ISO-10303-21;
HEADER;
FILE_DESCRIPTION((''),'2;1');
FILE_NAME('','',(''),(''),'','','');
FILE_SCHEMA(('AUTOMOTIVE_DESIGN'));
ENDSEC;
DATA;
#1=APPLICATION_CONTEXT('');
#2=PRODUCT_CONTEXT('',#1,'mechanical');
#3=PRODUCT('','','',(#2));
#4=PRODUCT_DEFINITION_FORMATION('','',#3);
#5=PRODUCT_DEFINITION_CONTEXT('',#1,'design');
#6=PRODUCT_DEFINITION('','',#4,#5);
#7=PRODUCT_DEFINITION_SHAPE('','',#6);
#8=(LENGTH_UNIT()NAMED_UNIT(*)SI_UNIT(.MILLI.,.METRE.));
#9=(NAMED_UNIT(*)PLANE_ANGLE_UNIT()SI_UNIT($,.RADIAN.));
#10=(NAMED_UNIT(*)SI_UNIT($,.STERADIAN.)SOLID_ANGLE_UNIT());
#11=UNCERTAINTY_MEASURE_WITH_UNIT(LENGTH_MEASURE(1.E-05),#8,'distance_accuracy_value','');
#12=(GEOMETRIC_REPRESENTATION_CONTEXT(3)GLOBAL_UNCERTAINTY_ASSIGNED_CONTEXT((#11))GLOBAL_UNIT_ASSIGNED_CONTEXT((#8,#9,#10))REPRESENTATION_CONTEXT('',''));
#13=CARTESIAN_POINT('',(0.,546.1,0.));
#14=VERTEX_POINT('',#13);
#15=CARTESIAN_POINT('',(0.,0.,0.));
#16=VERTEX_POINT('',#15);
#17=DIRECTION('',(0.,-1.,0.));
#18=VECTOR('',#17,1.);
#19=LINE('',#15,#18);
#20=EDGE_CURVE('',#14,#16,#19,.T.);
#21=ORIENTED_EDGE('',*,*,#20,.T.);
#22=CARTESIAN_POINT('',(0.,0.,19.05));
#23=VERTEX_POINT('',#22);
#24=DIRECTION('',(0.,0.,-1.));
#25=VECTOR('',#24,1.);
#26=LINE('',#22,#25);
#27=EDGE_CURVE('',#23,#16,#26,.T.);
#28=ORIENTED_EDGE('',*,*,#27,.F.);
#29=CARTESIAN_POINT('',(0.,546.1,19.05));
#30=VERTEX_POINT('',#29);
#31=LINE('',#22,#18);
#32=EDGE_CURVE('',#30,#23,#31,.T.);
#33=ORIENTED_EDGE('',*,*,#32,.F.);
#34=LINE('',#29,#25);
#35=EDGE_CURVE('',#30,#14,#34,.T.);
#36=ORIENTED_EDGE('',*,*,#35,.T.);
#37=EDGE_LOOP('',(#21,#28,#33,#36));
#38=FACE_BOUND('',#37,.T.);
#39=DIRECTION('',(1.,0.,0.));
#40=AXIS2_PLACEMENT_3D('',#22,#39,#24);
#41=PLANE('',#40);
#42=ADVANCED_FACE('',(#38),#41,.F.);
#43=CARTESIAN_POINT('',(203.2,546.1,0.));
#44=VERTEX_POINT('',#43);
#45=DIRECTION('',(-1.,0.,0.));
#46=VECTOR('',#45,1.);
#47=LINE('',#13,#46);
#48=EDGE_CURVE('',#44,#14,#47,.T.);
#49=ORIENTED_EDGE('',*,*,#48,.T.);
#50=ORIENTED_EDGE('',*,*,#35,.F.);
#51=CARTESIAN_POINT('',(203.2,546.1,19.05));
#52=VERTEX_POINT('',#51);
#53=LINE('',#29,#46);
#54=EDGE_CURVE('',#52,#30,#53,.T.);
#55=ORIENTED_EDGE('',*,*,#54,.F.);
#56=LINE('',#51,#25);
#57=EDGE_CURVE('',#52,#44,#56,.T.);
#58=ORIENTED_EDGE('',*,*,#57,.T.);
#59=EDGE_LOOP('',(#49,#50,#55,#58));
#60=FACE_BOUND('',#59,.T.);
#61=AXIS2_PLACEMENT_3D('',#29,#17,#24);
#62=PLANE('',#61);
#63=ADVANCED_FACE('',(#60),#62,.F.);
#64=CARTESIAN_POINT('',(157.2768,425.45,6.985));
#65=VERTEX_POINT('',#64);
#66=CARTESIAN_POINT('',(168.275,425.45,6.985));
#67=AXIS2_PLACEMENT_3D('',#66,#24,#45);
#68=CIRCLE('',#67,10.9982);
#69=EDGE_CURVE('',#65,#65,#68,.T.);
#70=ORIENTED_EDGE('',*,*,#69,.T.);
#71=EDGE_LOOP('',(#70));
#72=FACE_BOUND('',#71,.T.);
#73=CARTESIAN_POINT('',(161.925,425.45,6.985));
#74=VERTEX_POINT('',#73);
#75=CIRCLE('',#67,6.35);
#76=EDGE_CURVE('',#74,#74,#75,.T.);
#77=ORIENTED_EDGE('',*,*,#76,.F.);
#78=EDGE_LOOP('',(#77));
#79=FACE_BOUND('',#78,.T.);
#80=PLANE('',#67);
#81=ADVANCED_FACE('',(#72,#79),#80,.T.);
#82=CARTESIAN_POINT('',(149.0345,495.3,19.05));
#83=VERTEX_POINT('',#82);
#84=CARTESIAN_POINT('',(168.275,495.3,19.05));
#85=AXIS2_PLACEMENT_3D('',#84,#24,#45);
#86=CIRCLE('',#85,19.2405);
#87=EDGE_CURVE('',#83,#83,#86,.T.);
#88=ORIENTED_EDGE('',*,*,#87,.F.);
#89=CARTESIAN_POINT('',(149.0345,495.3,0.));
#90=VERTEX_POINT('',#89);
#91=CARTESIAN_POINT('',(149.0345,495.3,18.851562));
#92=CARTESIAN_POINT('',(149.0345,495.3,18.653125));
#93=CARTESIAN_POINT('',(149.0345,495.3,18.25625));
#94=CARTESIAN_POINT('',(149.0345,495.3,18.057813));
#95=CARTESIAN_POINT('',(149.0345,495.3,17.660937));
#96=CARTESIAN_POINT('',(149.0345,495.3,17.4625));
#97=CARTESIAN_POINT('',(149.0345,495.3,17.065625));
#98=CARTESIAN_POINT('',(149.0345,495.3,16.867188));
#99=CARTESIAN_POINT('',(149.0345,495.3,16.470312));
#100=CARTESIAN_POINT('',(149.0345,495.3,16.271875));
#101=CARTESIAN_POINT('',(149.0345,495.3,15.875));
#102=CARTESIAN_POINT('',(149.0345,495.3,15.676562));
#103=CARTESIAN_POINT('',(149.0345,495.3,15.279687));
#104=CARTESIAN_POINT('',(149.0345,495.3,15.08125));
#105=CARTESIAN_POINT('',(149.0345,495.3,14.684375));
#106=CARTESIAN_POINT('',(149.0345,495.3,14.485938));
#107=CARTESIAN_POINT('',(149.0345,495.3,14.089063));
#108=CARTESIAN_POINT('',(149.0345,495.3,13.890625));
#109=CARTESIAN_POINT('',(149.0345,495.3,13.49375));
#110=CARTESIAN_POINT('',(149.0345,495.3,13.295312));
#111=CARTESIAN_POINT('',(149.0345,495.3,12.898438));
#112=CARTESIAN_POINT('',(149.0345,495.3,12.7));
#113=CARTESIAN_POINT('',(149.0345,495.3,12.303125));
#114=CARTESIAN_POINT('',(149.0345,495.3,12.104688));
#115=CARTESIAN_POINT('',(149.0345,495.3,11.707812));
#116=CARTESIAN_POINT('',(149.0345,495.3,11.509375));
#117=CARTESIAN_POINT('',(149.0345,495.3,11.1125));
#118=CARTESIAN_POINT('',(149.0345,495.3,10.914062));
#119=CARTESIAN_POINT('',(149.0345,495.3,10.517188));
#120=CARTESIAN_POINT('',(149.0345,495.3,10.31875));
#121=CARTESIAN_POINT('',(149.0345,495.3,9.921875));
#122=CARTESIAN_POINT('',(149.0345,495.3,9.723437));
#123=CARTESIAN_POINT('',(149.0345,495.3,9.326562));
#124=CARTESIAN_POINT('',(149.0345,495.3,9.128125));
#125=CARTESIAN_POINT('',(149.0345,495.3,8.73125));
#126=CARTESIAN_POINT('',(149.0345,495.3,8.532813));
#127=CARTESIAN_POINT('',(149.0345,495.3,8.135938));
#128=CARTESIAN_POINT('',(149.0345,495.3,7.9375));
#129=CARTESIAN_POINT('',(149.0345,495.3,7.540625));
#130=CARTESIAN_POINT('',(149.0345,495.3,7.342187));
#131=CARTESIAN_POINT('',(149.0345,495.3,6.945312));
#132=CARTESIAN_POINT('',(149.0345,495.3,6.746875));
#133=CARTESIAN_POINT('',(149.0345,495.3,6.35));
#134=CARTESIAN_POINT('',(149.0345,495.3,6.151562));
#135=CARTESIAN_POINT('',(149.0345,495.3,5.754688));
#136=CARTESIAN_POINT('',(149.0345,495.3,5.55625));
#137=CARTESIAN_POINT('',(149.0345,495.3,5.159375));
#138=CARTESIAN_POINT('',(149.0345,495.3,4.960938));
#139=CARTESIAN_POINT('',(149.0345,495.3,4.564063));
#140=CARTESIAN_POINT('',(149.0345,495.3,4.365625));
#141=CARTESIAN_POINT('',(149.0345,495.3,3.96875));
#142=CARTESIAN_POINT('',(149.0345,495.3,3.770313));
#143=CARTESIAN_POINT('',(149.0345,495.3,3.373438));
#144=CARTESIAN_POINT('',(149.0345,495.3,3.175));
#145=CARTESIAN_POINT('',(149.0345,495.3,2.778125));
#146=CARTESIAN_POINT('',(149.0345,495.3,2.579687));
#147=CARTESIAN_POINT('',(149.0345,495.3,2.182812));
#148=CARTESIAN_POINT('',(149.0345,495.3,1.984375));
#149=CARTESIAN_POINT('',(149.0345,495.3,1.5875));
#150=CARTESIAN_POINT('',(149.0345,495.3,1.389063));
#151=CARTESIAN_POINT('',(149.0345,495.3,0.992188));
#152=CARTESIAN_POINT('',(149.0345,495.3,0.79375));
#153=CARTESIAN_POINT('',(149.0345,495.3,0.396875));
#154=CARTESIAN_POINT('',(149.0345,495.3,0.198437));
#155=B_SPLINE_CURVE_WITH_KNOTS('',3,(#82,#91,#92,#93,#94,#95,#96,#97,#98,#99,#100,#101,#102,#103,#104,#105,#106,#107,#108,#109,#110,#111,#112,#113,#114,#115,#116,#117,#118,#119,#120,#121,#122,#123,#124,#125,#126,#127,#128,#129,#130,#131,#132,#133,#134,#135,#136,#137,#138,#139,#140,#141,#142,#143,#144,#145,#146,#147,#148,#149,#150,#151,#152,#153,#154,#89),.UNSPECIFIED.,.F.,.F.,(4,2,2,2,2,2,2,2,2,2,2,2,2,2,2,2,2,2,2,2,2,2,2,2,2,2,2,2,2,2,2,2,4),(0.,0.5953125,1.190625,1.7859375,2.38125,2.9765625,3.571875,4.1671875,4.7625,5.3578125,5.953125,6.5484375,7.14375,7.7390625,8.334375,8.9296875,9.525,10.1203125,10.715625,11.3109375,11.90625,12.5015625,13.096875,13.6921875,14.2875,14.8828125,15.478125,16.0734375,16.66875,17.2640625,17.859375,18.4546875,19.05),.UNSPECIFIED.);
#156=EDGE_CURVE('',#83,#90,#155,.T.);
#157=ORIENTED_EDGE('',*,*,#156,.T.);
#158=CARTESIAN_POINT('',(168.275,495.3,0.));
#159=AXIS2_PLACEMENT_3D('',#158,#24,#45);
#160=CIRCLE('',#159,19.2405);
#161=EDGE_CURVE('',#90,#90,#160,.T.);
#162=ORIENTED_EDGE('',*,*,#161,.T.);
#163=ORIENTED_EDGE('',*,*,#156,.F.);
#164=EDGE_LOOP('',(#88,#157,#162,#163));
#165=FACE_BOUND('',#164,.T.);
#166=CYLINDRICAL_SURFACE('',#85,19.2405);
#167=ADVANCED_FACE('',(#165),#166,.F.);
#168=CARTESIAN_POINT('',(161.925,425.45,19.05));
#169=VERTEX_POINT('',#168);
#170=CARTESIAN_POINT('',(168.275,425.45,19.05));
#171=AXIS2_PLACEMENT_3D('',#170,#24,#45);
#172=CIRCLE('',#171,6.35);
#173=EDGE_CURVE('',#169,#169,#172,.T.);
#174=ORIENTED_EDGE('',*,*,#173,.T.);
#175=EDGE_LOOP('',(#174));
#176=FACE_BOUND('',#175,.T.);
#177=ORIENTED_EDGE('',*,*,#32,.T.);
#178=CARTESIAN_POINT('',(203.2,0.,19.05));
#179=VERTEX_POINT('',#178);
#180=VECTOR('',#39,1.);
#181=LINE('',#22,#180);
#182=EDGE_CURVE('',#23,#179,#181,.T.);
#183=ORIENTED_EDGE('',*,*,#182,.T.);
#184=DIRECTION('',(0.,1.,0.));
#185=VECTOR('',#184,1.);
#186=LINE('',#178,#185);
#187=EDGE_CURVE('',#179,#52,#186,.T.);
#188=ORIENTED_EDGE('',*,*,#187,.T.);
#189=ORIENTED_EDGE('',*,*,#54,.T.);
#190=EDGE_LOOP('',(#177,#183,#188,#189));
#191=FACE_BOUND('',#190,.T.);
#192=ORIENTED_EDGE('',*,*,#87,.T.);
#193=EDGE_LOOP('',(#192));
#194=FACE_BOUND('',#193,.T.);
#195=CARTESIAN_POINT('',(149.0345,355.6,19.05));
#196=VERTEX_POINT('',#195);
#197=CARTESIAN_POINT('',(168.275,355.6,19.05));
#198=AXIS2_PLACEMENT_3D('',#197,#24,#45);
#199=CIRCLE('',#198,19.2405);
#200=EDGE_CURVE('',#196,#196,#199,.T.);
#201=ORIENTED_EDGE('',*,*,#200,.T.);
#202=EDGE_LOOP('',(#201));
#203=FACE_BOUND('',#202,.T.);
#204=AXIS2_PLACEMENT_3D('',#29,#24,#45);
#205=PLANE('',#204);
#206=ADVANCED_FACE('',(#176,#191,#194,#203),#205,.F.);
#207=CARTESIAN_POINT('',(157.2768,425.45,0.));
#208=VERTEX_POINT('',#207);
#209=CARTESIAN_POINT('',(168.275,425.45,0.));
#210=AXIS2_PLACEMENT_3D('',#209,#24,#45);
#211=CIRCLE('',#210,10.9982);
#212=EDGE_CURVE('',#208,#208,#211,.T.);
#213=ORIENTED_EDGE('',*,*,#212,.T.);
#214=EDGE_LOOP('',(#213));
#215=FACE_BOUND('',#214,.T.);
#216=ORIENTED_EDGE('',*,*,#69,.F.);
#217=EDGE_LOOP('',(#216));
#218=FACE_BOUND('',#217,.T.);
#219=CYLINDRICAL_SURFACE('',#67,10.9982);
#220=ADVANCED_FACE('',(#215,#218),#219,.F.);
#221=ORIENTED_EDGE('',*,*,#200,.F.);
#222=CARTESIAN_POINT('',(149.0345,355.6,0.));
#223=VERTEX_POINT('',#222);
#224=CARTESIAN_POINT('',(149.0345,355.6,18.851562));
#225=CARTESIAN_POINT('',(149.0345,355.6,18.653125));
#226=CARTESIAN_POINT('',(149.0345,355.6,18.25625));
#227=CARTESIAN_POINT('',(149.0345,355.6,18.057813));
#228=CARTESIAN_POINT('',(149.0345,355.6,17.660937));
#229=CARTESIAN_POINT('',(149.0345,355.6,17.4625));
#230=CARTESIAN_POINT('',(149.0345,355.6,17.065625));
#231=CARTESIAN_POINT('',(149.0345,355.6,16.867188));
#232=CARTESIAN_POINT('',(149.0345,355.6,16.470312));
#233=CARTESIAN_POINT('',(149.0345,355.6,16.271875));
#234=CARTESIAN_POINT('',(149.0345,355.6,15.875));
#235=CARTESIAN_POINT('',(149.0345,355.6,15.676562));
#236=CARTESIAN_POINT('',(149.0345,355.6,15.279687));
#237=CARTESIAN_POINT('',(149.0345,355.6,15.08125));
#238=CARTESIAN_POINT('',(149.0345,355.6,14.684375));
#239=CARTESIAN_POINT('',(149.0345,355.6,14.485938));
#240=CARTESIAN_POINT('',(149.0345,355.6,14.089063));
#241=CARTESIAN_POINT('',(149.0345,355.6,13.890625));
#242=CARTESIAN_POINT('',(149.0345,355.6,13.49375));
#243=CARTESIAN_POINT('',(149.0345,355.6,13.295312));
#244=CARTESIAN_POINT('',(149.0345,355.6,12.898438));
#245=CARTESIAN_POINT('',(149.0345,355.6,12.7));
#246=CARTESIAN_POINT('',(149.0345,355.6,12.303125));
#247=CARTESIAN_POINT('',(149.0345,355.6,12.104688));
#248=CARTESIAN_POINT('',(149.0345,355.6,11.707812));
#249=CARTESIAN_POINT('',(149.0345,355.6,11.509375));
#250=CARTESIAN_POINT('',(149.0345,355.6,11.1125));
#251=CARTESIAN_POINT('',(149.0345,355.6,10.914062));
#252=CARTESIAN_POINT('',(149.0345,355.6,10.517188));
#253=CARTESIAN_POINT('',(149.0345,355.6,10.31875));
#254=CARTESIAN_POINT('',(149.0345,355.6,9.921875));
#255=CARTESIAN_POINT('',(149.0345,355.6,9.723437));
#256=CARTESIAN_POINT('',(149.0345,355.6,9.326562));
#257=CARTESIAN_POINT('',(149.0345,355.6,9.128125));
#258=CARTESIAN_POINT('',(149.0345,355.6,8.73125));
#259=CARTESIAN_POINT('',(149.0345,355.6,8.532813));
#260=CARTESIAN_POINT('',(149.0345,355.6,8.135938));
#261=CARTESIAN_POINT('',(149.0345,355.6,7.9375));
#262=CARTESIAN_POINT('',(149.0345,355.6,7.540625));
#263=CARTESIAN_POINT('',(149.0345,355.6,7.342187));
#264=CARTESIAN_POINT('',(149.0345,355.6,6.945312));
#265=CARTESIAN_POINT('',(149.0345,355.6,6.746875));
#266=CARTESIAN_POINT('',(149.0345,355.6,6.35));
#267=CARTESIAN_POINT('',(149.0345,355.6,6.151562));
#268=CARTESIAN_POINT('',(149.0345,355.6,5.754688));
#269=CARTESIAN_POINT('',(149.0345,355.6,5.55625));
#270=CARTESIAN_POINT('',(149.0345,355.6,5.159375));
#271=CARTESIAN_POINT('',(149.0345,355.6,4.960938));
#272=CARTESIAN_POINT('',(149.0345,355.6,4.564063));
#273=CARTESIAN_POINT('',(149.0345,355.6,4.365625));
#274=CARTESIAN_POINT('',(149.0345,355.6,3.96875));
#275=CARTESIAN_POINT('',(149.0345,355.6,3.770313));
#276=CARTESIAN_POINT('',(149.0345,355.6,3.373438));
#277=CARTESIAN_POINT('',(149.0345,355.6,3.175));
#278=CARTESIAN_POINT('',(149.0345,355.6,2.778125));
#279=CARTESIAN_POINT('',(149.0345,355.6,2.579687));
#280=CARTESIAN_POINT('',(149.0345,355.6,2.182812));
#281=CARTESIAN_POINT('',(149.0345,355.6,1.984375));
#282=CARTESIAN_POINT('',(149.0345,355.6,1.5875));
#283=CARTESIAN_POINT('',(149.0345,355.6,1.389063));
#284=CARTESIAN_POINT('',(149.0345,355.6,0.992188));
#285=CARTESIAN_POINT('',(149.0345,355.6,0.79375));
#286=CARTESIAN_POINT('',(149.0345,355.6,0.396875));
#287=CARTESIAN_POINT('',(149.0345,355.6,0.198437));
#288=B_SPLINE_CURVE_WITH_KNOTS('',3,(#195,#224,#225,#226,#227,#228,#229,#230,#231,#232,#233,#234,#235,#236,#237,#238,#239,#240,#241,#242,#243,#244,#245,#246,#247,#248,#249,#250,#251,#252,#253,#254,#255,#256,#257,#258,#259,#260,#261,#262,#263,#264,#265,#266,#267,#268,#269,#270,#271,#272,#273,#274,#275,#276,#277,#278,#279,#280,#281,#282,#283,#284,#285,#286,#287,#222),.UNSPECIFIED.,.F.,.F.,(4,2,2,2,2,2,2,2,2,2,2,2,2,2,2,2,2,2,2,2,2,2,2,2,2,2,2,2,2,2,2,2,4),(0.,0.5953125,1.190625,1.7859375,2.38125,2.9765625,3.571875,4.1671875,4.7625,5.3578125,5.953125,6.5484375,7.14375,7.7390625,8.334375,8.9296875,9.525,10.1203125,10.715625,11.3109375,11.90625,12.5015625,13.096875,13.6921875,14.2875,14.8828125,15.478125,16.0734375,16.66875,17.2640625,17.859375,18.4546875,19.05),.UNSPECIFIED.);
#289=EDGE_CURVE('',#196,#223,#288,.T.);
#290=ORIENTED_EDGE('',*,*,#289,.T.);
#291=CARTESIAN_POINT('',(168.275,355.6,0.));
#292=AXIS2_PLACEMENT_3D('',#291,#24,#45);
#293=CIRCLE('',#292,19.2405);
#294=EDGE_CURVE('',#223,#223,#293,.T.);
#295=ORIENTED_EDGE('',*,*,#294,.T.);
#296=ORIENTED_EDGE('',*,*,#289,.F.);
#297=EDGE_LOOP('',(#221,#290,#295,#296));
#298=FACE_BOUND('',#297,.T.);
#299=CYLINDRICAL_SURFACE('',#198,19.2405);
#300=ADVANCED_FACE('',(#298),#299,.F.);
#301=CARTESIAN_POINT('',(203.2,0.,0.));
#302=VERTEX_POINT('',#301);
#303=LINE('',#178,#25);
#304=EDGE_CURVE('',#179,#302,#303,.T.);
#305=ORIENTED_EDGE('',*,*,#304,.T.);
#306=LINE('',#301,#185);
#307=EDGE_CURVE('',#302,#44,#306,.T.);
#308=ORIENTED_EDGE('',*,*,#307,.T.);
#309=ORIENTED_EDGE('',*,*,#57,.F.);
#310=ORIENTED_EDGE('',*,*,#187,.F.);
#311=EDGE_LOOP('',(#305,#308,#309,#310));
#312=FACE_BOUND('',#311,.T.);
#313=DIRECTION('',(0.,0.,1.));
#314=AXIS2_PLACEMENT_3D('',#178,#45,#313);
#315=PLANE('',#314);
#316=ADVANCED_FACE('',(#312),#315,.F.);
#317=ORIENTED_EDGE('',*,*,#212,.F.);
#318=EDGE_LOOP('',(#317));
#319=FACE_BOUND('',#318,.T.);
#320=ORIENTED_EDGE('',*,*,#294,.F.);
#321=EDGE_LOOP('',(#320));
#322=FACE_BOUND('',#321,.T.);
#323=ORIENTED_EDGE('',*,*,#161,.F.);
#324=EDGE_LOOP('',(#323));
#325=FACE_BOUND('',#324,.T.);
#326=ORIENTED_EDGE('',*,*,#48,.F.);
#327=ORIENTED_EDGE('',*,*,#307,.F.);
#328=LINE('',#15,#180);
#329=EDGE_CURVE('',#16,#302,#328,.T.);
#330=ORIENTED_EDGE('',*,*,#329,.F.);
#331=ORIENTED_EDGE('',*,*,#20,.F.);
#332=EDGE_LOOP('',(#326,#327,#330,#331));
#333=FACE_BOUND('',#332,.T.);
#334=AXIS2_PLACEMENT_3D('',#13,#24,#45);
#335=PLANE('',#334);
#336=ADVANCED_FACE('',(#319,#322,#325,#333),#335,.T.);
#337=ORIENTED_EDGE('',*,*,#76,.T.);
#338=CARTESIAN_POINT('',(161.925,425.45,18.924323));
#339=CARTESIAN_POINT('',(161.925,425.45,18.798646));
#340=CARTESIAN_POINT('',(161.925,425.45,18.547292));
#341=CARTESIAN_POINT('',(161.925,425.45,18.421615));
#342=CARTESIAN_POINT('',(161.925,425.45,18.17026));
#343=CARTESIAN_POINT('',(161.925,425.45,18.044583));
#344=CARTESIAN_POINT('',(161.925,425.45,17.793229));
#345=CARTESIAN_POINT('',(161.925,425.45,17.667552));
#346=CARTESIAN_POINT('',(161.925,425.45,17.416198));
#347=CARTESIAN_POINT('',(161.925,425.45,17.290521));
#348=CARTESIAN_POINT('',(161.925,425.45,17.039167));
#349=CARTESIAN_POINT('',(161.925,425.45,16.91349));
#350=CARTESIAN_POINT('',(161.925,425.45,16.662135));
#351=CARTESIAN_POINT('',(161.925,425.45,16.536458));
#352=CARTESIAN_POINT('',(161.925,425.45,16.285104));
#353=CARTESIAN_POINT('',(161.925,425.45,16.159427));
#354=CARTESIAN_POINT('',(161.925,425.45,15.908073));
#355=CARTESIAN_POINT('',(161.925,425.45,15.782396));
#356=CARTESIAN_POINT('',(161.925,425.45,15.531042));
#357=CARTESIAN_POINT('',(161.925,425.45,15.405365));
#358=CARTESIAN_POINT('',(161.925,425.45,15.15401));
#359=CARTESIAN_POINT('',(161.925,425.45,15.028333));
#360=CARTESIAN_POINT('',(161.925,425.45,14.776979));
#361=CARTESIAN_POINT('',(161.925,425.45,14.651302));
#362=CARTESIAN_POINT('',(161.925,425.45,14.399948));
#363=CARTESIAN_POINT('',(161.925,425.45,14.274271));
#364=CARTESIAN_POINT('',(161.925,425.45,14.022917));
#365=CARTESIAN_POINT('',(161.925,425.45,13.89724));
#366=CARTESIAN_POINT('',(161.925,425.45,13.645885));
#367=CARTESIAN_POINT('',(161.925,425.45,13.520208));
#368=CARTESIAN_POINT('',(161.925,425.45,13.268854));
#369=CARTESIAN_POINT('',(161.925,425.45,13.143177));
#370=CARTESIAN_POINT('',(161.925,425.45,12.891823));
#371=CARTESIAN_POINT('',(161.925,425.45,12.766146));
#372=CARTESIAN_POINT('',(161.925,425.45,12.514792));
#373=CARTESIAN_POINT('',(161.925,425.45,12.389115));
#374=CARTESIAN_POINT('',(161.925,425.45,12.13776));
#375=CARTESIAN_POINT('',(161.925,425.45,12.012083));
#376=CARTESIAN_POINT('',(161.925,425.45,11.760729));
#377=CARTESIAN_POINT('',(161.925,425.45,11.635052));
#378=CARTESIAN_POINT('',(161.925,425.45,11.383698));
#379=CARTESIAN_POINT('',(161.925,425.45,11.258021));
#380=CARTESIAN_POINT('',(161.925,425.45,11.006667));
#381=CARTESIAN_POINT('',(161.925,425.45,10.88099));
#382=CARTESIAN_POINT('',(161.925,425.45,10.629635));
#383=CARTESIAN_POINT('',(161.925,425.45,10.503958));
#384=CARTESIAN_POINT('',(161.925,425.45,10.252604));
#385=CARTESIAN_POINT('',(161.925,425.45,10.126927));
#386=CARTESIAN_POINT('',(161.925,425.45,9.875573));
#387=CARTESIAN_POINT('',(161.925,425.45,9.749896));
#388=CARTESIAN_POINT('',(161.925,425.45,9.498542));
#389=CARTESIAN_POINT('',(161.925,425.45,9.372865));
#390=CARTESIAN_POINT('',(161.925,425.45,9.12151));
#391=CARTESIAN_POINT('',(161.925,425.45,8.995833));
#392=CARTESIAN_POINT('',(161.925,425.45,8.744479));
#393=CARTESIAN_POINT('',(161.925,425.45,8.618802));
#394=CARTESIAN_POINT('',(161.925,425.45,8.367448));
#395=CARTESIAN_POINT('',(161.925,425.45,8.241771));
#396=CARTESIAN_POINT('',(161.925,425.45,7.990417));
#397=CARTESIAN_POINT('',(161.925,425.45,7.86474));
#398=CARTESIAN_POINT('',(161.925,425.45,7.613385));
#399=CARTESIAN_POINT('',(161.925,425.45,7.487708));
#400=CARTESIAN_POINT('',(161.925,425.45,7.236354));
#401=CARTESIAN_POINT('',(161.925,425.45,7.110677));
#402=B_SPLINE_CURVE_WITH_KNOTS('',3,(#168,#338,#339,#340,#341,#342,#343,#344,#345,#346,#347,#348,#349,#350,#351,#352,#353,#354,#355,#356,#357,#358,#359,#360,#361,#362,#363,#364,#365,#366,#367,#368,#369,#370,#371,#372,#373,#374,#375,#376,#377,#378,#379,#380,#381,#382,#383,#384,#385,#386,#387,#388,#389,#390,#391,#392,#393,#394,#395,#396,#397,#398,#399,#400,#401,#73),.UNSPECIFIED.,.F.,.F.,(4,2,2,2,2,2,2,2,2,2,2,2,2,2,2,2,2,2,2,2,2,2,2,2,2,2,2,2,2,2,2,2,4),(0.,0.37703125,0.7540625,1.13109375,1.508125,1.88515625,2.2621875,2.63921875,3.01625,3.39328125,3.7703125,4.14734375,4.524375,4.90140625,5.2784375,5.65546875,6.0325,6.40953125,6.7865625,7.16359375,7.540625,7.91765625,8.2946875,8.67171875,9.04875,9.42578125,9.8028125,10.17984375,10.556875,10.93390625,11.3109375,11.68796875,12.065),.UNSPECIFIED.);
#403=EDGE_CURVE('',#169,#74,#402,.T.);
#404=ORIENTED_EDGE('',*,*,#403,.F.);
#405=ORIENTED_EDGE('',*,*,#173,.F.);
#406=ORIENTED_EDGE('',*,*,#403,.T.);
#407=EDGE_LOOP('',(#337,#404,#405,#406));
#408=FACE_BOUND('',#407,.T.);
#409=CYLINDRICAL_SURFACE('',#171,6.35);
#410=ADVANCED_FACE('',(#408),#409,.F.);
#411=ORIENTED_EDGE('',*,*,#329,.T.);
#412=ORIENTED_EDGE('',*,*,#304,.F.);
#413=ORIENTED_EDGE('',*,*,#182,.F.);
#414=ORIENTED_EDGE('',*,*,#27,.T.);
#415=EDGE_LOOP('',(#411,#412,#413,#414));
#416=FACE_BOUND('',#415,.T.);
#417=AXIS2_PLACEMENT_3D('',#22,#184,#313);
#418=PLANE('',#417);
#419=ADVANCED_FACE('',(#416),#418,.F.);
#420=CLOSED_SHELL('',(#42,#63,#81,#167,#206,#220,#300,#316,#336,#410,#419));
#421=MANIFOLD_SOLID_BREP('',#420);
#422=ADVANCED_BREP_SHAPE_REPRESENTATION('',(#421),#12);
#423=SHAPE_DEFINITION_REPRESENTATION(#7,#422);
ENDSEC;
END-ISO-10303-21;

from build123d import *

# Parameters (mm, degrees)
SKETCH1_W               = 203.2
SKETCH1_H               = 546.1
BOSS_EXTRUDE1_DEPTH     = 19.05
SKETCH2_R               = 19.2405
CUT_EXTRUDE1_DEPTH      = 583.990868282
ESQUISSE1_R             = 10.9982
ENL_V_MAT_EXTRU_1_DEPTH = 6.985
ESQUISSE2_R             = 6.35
ENL_V_MAT_EXTRU_2_DEPTH = 583.804439092


with BuildPart() as part:
    # Sketch1 → Boss-Extrude1 (new body)
    with BuildSketch(Plane.XY):
        with Locations((101.6, 273.05)):
            Rectangle(SKETCH1_W, SKETCH1_H)
    extrude(amount=BOSS_EXTRUDE1_DEPTH)

    # Sketch2 → Cut-Extrude1 (cut, through all)
    with BuildSketch(Plane(origin=(0, 0, 0), x_dir=(-1, 0, 0), z_dir=(0, 0, -1))):
        with Locations((-168.275, 495.3)):
            Circle(SKETCH2_R)
        with Locations((-168.275, 355.6)):
            Circle(SKETCH2_R)
    extrude(amount=-CUT_EXTRUDE1_DEPTH, mode=Mode.SUBTRACT)

    # Esquisse1 → Enlèv. mat.-Extru.1 (cut)
    with BuildSketch(Plane(origin=(0, 0, 0), x_dir=(-1, 0, 0), z_dir=(0, 0, -1))):
        with Locations((-168.275, 425.45)):
            Circle(ESQUISSE1_R)
    extrude(amount=-ENL_V_MAT_EXTRU_1_DEPTH, mode=Mode.SUBTRACT)

    # Esquisse2 → Enlèv. mat.-Extru.2 (cut, through all)
    with BuildSketch(Plane(origin=(0, 0, 6.985), x_dir=(-1, 0, 0), z_dir=(0, 0, -1))):
        with Locations((-168.275, 425.45)):
            Circle(ESQUISSE2_R)
    extrude(amount=-ENL_V_MAT_EXTRU_2_DEPTH, mode=Mode.SUBTRACT)


solid = part.part
